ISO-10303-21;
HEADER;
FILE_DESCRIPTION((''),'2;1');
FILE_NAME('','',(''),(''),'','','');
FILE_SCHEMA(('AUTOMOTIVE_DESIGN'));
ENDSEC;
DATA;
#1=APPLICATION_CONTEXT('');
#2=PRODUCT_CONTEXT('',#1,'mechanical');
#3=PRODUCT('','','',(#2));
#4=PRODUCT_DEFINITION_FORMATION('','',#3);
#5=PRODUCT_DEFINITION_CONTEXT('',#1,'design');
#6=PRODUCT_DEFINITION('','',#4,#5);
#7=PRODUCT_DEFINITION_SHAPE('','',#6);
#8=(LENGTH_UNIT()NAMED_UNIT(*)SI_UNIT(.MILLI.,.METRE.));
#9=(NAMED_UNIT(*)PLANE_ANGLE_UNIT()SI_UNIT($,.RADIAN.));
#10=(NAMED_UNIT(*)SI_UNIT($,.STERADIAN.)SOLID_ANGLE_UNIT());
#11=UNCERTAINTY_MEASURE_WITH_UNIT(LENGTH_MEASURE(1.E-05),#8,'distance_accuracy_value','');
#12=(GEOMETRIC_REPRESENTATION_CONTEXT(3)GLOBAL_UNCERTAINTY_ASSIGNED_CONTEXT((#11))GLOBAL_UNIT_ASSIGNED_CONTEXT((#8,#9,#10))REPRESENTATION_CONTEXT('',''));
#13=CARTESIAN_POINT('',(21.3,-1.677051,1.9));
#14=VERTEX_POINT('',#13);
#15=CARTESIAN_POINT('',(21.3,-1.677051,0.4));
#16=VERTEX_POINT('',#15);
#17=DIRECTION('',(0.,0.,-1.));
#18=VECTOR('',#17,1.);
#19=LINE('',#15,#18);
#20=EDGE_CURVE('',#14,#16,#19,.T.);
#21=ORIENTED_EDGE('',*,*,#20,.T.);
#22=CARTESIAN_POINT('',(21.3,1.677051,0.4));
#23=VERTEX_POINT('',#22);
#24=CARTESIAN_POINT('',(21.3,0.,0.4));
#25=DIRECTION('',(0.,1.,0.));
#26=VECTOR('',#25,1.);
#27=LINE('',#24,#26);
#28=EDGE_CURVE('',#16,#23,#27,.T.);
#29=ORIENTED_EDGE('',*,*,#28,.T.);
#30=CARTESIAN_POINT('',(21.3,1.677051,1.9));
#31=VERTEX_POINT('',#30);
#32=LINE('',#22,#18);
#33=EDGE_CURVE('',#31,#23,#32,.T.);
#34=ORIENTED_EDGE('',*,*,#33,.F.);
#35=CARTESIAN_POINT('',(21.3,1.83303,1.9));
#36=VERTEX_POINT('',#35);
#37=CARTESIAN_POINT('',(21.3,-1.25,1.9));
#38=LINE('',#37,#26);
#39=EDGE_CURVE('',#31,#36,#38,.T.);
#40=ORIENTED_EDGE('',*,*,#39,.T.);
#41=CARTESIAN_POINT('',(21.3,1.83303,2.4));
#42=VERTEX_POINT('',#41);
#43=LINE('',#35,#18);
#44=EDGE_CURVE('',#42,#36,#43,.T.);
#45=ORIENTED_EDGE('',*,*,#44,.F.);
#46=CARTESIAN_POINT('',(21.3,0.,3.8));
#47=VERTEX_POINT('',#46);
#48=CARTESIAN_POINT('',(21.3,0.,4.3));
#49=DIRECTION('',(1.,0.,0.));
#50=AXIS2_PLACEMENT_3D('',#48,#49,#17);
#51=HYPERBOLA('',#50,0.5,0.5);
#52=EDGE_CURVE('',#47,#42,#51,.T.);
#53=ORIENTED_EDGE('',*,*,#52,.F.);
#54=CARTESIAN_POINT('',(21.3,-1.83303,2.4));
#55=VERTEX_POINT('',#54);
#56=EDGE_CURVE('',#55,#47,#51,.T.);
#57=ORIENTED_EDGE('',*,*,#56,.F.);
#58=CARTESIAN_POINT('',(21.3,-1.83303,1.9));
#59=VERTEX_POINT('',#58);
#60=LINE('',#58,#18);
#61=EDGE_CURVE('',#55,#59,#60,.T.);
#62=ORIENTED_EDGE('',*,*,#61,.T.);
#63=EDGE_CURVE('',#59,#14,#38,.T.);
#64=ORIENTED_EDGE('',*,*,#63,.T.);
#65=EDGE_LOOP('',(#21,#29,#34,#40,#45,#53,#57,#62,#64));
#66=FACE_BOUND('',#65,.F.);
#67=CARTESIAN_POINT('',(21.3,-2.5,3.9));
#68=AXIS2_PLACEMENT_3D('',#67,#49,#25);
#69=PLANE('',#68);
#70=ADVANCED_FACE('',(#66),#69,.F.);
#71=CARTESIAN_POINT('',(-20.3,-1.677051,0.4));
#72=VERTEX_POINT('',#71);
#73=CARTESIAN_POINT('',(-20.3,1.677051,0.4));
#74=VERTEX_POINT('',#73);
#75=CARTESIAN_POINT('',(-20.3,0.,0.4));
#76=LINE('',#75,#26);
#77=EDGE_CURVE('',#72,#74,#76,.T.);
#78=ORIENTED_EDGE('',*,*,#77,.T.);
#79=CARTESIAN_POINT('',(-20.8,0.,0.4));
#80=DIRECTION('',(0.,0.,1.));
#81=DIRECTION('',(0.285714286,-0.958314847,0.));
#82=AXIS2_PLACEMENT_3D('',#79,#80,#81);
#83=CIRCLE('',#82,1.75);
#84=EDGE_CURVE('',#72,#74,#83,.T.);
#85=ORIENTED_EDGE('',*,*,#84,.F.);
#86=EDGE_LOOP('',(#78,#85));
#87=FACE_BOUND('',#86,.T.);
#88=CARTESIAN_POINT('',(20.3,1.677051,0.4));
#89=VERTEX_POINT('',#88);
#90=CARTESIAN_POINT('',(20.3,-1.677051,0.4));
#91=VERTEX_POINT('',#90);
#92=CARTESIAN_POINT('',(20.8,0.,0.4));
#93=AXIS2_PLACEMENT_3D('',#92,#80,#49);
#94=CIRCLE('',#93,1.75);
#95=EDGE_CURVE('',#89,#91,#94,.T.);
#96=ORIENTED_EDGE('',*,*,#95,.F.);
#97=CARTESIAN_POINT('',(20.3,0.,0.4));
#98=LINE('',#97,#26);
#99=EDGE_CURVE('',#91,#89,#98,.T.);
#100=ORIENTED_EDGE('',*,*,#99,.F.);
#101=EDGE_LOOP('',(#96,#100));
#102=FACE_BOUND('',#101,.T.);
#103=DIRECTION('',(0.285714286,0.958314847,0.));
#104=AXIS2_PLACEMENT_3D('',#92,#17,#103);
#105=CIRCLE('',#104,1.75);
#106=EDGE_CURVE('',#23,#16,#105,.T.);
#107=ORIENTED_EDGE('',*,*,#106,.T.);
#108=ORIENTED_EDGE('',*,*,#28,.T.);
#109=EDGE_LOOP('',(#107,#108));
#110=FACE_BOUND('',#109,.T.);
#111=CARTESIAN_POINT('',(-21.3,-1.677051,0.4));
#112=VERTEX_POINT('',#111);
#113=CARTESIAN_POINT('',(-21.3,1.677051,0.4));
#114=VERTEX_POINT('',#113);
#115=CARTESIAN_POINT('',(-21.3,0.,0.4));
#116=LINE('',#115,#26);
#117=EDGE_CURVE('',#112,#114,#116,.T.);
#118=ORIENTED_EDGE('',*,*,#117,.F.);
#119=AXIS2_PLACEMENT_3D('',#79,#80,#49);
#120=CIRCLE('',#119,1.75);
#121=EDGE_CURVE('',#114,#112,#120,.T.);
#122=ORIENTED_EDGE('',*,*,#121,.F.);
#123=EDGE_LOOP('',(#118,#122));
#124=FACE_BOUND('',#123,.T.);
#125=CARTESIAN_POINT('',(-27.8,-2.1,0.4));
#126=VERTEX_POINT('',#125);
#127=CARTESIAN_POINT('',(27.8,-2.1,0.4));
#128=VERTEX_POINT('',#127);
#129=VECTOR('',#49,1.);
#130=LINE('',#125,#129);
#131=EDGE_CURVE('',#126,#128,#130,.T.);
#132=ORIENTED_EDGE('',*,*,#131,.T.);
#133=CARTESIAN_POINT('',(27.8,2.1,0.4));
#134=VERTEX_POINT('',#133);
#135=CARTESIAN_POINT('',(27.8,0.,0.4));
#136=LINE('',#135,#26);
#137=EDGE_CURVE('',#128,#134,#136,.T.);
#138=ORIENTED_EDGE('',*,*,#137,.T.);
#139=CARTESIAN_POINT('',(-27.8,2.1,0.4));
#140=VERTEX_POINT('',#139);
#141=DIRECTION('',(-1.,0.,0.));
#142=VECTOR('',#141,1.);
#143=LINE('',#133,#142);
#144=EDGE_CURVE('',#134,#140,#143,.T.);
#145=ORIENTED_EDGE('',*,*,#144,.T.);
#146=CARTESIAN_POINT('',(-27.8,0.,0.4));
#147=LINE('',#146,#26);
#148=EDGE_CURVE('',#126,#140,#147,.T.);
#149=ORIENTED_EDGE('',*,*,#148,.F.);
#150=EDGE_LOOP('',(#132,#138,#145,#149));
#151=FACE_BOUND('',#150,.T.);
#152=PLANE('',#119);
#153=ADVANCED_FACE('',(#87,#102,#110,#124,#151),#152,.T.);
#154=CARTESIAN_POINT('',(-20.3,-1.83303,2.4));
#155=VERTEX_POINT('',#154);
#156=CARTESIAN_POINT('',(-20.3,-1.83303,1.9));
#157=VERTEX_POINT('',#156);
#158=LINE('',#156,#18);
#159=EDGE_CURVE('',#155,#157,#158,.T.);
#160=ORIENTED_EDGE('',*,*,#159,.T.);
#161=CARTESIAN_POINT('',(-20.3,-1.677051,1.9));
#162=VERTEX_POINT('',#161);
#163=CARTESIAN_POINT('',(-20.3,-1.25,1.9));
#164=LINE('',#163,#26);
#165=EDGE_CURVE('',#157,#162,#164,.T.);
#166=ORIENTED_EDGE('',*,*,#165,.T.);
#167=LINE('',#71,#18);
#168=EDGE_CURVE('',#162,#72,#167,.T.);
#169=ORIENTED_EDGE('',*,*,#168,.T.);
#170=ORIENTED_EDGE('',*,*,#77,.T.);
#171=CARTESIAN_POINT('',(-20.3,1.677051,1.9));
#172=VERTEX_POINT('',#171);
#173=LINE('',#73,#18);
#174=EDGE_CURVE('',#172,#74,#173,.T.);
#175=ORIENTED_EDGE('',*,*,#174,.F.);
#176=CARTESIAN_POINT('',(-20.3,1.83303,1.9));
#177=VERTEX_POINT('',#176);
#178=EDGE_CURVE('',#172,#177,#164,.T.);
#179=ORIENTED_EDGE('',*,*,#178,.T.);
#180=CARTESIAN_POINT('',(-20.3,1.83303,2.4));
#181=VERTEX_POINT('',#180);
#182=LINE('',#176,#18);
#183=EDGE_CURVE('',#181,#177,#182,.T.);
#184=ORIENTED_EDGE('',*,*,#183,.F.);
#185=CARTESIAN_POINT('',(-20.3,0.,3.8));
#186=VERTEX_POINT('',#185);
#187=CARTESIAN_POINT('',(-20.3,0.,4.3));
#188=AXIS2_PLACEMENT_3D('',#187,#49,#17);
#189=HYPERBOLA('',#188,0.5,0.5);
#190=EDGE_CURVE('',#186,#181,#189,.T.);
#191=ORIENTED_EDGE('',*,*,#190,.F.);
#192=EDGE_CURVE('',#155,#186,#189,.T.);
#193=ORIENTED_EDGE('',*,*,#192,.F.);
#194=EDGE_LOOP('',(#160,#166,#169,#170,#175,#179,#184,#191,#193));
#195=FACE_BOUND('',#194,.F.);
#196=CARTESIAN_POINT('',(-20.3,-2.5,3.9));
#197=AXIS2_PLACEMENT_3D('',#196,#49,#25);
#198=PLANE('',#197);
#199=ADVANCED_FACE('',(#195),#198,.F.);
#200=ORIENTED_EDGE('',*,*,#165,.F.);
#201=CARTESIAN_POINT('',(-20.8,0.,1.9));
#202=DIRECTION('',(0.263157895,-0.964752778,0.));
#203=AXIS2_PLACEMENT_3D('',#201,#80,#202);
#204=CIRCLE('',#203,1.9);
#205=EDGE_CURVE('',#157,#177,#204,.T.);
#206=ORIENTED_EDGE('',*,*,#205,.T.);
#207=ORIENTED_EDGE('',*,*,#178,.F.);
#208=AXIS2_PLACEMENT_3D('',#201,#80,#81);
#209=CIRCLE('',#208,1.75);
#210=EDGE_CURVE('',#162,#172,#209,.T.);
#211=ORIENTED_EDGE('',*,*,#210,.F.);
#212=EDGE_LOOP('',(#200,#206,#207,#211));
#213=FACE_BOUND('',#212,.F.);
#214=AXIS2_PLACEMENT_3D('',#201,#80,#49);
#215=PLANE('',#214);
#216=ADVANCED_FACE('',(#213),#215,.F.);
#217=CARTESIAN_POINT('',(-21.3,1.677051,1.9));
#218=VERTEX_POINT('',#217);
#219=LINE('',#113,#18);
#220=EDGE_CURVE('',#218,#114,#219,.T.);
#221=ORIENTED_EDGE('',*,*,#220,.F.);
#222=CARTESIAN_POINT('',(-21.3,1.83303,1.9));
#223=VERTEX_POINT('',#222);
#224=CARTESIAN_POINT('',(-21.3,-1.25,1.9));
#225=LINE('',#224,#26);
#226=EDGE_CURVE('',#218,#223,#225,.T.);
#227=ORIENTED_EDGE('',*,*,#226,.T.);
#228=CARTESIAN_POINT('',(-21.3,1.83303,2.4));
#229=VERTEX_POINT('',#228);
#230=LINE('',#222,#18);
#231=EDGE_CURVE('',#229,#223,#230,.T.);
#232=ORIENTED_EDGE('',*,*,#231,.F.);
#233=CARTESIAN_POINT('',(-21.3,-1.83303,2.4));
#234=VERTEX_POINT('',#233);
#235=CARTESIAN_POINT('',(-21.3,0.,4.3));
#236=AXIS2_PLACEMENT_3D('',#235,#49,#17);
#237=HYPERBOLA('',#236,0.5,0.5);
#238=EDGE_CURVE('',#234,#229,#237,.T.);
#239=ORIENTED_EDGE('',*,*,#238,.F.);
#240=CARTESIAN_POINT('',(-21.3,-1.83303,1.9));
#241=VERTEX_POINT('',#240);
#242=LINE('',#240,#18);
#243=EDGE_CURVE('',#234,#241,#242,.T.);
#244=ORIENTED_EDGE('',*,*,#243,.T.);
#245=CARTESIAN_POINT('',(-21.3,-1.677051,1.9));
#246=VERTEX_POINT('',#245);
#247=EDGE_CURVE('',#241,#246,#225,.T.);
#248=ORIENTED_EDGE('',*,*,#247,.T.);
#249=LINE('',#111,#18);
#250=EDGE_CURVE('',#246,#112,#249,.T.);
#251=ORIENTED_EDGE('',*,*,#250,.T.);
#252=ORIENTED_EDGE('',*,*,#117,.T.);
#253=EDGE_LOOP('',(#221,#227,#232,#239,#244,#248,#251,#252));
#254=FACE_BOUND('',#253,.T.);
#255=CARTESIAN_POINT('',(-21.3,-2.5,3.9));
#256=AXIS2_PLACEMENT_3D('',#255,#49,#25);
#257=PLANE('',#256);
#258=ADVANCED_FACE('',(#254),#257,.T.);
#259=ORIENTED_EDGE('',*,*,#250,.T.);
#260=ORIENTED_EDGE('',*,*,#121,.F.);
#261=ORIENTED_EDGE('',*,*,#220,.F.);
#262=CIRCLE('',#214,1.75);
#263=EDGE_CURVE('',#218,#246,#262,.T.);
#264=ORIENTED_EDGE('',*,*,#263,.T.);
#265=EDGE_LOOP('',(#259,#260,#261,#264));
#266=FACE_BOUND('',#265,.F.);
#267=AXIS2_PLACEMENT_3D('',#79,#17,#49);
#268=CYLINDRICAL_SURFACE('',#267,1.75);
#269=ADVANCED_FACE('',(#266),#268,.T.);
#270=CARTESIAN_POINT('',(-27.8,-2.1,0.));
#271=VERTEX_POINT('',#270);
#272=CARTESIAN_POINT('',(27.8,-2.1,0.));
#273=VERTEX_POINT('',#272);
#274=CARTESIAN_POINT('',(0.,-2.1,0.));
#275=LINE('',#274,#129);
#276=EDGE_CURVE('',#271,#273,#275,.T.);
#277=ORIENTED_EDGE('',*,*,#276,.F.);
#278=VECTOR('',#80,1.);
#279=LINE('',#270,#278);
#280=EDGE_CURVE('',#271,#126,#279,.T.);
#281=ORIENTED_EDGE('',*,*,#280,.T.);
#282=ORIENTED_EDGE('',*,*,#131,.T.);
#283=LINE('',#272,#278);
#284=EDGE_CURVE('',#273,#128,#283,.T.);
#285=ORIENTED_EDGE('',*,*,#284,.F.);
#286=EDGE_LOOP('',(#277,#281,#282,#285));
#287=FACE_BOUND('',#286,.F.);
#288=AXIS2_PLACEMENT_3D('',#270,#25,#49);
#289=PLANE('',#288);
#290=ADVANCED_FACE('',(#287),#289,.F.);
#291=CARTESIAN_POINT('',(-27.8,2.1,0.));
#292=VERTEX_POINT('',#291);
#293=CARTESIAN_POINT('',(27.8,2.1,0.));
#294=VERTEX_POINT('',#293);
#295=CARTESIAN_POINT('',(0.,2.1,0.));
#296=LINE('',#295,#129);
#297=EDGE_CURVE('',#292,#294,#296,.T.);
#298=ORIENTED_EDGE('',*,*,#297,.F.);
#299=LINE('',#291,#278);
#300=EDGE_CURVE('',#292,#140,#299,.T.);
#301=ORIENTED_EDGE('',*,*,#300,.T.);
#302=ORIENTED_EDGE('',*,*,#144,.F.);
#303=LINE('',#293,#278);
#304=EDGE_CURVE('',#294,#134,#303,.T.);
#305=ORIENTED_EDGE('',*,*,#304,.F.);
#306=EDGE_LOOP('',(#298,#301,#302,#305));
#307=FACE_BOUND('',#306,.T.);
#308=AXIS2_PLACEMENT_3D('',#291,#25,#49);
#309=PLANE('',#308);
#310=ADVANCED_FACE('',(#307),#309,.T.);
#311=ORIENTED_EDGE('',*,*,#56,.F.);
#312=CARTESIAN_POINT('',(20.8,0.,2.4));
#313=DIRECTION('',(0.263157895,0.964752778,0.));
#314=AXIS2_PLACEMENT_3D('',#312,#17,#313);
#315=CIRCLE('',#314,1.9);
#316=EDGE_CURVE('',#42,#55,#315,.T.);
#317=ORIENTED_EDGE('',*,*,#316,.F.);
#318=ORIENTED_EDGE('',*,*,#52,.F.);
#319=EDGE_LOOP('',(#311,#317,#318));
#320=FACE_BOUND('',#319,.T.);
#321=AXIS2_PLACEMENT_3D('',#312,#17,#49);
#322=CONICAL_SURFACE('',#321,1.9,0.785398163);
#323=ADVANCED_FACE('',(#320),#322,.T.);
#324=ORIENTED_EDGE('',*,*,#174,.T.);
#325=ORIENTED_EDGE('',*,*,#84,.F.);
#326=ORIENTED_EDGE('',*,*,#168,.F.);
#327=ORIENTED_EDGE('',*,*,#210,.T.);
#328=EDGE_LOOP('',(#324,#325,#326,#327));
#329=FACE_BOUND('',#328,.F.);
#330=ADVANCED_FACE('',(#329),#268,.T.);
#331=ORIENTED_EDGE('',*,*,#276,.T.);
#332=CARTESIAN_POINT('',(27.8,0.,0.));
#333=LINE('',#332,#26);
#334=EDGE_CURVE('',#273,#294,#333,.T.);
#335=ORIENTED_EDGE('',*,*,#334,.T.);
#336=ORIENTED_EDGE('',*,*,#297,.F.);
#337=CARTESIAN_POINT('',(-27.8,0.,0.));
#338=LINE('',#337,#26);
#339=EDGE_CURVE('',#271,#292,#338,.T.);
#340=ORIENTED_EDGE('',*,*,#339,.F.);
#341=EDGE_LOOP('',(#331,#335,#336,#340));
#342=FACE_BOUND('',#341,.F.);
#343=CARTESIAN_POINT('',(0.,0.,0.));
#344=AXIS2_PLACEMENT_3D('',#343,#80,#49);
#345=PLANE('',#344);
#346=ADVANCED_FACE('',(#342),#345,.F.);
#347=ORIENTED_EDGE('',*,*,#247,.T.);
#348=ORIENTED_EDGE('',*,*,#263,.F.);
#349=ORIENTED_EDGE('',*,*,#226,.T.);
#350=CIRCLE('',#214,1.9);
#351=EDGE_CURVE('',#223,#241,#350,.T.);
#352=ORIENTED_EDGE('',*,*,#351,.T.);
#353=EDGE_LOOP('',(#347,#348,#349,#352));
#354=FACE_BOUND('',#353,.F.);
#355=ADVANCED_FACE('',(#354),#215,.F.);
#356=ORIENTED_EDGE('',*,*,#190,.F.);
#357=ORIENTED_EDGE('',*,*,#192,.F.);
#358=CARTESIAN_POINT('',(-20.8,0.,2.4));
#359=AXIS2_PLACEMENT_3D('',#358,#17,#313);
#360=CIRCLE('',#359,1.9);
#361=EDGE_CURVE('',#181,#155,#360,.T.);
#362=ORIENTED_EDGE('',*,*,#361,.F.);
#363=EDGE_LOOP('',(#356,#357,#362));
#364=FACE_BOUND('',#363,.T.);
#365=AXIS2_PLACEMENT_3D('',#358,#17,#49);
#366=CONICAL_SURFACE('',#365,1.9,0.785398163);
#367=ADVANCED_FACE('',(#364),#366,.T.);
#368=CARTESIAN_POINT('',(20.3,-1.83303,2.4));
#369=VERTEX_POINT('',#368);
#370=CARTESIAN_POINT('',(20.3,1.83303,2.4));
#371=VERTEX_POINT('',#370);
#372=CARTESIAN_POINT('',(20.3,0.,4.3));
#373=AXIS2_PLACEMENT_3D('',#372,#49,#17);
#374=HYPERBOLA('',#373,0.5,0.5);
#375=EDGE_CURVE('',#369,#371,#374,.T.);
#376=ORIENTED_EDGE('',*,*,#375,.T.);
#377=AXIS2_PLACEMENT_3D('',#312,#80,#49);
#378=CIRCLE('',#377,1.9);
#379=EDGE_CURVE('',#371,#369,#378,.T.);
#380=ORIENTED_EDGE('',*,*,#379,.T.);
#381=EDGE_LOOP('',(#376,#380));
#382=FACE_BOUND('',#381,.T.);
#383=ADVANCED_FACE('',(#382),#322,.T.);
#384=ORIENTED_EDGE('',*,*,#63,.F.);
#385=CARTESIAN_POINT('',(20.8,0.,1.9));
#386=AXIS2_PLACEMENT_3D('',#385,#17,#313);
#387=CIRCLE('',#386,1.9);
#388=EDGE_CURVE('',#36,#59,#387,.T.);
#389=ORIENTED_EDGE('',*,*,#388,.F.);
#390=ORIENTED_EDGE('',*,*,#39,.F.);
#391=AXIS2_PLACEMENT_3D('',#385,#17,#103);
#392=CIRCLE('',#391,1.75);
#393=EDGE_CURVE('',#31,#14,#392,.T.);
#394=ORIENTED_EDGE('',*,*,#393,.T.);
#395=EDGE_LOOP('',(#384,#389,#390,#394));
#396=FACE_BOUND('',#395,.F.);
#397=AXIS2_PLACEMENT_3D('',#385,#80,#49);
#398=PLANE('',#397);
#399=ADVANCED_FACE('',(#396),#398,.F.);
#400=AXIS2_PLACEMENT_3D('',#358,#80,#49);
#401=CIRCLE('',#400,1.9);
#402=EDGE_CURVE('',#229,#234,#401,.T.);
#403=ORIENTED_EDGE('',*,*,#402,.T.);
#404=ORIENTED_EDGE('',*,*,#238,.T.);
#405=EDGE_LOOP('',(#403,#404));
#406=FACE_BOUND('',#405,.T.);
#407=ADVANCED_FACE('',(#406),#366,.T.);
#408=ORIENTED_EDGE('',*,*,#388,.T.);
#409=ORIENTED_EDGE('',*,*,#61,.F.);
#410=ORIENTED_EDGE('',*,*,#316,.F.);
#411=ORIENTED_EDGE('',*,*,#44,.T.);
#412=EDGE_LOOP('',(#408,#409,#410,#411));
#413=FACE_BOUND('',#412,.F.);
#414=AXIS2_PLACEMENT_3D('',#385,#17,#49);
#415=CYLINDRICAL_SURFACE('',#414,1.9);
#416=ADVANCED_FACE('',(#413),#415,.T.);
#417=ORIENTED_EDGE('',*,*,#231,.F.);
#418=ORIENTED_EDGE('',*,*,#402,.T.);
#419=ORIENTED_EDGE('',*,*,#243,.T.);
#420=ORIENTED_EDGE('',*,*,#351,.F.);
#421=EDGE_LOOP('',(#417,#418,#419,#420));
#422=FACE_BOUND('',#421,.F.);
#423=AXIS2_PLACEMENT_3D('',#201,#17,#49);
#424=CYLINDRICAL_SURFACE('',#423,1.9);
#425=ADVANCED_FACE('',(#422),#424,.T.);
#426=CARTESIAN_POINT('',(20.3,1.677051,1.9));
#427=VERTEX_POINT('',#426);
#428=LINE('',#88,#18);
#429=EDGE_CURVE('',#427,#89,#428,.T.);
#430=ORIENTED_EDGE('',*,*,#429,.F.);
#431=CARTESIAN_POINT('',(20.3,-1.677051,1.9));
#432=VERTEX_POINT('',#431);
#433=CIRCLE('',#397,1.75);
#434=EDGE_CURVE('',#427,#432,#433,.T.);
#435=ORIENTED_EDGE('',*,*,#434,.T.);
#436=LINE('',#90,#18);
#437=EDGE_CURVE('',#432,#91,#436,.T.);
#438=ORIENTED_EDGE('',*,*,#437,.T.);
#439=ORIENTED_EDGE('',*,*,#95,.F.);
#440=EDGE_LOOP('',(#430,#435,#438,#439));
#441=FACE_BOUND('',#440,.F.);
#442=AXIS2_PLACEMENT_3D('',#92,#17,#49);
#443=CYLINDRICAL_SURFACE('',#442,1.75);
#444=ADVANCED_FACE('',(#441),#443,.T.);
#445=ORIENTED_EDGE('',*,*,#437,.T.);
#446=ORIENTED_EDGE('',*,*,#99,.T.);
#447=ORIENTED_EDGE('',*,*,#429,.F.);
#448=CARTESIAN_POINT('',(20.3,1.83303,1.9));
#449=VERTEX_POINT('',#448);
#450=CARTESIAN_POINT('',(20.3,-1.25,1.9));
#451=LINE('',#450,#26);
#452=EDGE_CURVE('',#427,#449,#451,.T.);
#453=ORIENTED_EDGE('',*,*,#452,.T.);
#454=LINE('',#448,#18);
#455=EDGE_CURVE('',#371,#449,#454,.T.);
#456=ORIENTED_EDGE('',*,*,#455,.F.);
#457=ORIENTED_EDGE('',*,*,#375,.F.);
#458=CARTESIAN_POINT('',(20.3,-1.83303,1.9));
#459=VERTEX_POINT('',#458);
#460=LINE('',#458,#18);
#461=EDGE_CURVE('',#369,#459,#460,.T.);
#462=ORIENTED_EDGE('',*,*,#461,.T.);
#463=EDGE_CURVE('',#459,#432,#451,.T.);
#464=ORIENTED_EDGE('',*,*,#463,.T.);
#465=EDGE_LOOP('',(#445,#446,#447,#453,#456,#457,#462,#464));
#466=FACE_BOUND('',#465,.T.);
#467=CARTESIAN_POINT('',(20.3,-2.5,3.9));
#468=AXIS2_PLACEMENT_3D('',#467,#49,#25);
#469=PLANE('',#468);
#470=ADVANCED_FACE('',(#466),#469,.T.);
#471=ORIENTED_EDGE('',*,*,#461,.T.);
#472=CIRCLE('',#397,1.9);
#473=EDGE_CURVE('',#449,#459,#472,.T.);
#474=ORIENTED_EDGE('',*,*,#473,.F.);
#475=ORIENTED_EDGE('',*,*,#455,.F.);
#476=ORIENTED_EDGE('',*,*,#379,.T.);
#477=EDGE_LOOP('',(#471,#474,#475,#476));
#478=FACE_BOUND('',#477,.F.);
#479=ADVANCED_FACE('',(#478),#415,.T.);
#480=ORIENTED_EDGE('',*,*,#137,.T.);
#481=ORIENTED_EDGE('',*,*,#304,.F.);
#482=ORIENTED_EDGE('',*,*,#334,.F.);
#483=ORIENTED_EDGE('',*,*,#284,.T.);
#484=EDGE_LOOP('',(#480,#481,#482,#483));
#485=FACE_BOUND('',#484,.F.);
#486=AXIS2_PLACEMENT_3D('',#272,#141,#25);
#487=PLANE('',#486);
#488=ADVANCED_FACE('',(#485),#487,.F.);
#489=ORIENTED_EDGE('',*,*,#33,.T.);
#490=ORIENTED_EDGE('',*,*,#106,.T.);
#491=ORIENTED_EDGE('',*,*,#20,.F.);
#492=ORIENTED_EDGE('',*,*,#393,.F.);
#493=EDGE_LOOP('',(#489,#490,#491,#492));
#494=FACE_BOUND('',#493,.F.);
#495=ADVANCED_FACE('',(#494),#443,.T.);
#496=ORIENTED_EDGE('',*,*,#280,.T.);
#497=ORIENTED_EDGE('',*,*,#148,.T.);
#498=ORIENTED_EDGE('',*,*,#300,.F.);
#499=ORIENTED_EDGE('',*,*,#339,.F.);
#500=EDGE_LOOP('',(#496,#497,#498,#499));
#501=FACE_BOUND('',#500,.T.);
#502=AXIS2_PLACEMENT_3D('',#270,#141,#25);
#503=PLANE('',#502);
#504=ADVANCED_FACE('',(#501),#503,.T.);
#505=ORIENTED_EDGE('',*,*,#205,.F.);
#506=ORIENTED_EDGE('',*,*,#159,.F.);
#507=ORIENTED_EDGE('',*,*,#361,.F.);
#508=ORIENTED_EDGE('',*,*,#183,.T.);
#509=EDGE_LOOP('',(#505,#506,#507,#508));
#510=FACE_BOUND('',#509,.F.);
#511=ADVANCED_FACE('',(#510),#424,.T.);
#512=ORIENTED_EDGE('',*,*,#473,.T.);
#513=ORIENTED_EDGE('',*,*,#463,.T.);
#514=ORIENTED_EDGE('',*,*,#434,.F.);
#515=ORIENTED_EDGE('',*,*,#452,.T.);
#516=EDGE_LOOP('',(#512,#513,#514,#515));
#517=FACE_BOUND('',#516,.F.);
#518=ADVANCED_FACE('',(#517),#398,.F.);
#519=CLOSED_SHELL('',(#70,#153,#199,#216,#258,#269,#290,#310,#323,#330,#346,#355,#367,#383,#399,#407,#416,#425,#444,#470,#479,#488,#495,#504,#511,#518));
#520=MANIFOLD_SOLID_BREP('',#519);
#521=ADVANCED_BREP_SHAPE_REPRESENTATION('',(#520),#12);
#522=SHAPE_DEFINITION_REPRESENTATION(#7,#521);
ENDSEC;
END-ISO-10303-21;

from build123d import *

# Parameters (mm, degrees)
SKICA2_W                 = 55.6
SKICA2_H                 = 4.2
P_IDAT_VYSUNUT_M2_DEPTH  = 0.4
SKICA3_R                 = 1.75
P_IDAT_VYSUNUT_M3_DEPTH  = 1.5
SKICA5_R                 = 1.9
P_IDAT_VYSUNUT_M5_DEPTH  = 2
ZKOSEN_2_SIZE            = 1.5
SKICA7_W                 = 1
SKICA7_H                 = 5
ODEBRAT_VYSUNUT_M1_DEPTH = 3.5


with BuildPart() as part:
    # Skica2 → Přidat vysunutím2 (new body)
    with BuildSketch(Plane.XY):
        Rectangle(SKICA2_W, SKICA2_H)
    extrude(amount=P_IDAT_VYSUNUT_M2_DEPTH)

    # Skica3 → Přidat vysunutím3 (add)
    with BuildSketch(Plane.XY.offset(0.4)):
        with Locations((-20.8, 0)):
            Circle(SKICA3_R)
        with Locations((20.8, 0)):
            Circle(SKICA3_R)
    extrude(amount=P_IDAT_VYSUNUT_M3_DEPTH)

    # Skica5 → Přidat vysunutím5 (add)
    with BuildSketch(Plane.XY.offset(1.9)):
        with Locations((-20.8, 0)):
            Circle(SKICA5_R)
        with Locations((20.8, 0)):
            Circle(SKICA5_R)
    extrude(amount=P_IDAT_VYSUNUT_M5_DEPTH)

    # Zkosení2
    zkosen_2_edges = [part.edges().sort_by_distance(p)[0] for p in [
        (-22.7, 0, 3.9),
        (18.9, 0, 3.9),
    ]]
    chamfer(zkosen_2_edges, length=ZKOSEN_2_SIZE)

    # Skica7 → Odebrat vysunutím1 (cut)
    with BuildSketch(Plane.XY.offset(3.9)):
        with Locations((-20.8, 0)):
            Rectangle(SKICA7_W, SKICA7_H)
        with Locations((20.8, 0)):
            Rectangle(SKICA7_W, SKICA7_H)
    extrude(amount=-ODEBRAT_VYSUNUT_M1_DEPTH, mode=Mode.SUBTRACT)


solid = part.part
